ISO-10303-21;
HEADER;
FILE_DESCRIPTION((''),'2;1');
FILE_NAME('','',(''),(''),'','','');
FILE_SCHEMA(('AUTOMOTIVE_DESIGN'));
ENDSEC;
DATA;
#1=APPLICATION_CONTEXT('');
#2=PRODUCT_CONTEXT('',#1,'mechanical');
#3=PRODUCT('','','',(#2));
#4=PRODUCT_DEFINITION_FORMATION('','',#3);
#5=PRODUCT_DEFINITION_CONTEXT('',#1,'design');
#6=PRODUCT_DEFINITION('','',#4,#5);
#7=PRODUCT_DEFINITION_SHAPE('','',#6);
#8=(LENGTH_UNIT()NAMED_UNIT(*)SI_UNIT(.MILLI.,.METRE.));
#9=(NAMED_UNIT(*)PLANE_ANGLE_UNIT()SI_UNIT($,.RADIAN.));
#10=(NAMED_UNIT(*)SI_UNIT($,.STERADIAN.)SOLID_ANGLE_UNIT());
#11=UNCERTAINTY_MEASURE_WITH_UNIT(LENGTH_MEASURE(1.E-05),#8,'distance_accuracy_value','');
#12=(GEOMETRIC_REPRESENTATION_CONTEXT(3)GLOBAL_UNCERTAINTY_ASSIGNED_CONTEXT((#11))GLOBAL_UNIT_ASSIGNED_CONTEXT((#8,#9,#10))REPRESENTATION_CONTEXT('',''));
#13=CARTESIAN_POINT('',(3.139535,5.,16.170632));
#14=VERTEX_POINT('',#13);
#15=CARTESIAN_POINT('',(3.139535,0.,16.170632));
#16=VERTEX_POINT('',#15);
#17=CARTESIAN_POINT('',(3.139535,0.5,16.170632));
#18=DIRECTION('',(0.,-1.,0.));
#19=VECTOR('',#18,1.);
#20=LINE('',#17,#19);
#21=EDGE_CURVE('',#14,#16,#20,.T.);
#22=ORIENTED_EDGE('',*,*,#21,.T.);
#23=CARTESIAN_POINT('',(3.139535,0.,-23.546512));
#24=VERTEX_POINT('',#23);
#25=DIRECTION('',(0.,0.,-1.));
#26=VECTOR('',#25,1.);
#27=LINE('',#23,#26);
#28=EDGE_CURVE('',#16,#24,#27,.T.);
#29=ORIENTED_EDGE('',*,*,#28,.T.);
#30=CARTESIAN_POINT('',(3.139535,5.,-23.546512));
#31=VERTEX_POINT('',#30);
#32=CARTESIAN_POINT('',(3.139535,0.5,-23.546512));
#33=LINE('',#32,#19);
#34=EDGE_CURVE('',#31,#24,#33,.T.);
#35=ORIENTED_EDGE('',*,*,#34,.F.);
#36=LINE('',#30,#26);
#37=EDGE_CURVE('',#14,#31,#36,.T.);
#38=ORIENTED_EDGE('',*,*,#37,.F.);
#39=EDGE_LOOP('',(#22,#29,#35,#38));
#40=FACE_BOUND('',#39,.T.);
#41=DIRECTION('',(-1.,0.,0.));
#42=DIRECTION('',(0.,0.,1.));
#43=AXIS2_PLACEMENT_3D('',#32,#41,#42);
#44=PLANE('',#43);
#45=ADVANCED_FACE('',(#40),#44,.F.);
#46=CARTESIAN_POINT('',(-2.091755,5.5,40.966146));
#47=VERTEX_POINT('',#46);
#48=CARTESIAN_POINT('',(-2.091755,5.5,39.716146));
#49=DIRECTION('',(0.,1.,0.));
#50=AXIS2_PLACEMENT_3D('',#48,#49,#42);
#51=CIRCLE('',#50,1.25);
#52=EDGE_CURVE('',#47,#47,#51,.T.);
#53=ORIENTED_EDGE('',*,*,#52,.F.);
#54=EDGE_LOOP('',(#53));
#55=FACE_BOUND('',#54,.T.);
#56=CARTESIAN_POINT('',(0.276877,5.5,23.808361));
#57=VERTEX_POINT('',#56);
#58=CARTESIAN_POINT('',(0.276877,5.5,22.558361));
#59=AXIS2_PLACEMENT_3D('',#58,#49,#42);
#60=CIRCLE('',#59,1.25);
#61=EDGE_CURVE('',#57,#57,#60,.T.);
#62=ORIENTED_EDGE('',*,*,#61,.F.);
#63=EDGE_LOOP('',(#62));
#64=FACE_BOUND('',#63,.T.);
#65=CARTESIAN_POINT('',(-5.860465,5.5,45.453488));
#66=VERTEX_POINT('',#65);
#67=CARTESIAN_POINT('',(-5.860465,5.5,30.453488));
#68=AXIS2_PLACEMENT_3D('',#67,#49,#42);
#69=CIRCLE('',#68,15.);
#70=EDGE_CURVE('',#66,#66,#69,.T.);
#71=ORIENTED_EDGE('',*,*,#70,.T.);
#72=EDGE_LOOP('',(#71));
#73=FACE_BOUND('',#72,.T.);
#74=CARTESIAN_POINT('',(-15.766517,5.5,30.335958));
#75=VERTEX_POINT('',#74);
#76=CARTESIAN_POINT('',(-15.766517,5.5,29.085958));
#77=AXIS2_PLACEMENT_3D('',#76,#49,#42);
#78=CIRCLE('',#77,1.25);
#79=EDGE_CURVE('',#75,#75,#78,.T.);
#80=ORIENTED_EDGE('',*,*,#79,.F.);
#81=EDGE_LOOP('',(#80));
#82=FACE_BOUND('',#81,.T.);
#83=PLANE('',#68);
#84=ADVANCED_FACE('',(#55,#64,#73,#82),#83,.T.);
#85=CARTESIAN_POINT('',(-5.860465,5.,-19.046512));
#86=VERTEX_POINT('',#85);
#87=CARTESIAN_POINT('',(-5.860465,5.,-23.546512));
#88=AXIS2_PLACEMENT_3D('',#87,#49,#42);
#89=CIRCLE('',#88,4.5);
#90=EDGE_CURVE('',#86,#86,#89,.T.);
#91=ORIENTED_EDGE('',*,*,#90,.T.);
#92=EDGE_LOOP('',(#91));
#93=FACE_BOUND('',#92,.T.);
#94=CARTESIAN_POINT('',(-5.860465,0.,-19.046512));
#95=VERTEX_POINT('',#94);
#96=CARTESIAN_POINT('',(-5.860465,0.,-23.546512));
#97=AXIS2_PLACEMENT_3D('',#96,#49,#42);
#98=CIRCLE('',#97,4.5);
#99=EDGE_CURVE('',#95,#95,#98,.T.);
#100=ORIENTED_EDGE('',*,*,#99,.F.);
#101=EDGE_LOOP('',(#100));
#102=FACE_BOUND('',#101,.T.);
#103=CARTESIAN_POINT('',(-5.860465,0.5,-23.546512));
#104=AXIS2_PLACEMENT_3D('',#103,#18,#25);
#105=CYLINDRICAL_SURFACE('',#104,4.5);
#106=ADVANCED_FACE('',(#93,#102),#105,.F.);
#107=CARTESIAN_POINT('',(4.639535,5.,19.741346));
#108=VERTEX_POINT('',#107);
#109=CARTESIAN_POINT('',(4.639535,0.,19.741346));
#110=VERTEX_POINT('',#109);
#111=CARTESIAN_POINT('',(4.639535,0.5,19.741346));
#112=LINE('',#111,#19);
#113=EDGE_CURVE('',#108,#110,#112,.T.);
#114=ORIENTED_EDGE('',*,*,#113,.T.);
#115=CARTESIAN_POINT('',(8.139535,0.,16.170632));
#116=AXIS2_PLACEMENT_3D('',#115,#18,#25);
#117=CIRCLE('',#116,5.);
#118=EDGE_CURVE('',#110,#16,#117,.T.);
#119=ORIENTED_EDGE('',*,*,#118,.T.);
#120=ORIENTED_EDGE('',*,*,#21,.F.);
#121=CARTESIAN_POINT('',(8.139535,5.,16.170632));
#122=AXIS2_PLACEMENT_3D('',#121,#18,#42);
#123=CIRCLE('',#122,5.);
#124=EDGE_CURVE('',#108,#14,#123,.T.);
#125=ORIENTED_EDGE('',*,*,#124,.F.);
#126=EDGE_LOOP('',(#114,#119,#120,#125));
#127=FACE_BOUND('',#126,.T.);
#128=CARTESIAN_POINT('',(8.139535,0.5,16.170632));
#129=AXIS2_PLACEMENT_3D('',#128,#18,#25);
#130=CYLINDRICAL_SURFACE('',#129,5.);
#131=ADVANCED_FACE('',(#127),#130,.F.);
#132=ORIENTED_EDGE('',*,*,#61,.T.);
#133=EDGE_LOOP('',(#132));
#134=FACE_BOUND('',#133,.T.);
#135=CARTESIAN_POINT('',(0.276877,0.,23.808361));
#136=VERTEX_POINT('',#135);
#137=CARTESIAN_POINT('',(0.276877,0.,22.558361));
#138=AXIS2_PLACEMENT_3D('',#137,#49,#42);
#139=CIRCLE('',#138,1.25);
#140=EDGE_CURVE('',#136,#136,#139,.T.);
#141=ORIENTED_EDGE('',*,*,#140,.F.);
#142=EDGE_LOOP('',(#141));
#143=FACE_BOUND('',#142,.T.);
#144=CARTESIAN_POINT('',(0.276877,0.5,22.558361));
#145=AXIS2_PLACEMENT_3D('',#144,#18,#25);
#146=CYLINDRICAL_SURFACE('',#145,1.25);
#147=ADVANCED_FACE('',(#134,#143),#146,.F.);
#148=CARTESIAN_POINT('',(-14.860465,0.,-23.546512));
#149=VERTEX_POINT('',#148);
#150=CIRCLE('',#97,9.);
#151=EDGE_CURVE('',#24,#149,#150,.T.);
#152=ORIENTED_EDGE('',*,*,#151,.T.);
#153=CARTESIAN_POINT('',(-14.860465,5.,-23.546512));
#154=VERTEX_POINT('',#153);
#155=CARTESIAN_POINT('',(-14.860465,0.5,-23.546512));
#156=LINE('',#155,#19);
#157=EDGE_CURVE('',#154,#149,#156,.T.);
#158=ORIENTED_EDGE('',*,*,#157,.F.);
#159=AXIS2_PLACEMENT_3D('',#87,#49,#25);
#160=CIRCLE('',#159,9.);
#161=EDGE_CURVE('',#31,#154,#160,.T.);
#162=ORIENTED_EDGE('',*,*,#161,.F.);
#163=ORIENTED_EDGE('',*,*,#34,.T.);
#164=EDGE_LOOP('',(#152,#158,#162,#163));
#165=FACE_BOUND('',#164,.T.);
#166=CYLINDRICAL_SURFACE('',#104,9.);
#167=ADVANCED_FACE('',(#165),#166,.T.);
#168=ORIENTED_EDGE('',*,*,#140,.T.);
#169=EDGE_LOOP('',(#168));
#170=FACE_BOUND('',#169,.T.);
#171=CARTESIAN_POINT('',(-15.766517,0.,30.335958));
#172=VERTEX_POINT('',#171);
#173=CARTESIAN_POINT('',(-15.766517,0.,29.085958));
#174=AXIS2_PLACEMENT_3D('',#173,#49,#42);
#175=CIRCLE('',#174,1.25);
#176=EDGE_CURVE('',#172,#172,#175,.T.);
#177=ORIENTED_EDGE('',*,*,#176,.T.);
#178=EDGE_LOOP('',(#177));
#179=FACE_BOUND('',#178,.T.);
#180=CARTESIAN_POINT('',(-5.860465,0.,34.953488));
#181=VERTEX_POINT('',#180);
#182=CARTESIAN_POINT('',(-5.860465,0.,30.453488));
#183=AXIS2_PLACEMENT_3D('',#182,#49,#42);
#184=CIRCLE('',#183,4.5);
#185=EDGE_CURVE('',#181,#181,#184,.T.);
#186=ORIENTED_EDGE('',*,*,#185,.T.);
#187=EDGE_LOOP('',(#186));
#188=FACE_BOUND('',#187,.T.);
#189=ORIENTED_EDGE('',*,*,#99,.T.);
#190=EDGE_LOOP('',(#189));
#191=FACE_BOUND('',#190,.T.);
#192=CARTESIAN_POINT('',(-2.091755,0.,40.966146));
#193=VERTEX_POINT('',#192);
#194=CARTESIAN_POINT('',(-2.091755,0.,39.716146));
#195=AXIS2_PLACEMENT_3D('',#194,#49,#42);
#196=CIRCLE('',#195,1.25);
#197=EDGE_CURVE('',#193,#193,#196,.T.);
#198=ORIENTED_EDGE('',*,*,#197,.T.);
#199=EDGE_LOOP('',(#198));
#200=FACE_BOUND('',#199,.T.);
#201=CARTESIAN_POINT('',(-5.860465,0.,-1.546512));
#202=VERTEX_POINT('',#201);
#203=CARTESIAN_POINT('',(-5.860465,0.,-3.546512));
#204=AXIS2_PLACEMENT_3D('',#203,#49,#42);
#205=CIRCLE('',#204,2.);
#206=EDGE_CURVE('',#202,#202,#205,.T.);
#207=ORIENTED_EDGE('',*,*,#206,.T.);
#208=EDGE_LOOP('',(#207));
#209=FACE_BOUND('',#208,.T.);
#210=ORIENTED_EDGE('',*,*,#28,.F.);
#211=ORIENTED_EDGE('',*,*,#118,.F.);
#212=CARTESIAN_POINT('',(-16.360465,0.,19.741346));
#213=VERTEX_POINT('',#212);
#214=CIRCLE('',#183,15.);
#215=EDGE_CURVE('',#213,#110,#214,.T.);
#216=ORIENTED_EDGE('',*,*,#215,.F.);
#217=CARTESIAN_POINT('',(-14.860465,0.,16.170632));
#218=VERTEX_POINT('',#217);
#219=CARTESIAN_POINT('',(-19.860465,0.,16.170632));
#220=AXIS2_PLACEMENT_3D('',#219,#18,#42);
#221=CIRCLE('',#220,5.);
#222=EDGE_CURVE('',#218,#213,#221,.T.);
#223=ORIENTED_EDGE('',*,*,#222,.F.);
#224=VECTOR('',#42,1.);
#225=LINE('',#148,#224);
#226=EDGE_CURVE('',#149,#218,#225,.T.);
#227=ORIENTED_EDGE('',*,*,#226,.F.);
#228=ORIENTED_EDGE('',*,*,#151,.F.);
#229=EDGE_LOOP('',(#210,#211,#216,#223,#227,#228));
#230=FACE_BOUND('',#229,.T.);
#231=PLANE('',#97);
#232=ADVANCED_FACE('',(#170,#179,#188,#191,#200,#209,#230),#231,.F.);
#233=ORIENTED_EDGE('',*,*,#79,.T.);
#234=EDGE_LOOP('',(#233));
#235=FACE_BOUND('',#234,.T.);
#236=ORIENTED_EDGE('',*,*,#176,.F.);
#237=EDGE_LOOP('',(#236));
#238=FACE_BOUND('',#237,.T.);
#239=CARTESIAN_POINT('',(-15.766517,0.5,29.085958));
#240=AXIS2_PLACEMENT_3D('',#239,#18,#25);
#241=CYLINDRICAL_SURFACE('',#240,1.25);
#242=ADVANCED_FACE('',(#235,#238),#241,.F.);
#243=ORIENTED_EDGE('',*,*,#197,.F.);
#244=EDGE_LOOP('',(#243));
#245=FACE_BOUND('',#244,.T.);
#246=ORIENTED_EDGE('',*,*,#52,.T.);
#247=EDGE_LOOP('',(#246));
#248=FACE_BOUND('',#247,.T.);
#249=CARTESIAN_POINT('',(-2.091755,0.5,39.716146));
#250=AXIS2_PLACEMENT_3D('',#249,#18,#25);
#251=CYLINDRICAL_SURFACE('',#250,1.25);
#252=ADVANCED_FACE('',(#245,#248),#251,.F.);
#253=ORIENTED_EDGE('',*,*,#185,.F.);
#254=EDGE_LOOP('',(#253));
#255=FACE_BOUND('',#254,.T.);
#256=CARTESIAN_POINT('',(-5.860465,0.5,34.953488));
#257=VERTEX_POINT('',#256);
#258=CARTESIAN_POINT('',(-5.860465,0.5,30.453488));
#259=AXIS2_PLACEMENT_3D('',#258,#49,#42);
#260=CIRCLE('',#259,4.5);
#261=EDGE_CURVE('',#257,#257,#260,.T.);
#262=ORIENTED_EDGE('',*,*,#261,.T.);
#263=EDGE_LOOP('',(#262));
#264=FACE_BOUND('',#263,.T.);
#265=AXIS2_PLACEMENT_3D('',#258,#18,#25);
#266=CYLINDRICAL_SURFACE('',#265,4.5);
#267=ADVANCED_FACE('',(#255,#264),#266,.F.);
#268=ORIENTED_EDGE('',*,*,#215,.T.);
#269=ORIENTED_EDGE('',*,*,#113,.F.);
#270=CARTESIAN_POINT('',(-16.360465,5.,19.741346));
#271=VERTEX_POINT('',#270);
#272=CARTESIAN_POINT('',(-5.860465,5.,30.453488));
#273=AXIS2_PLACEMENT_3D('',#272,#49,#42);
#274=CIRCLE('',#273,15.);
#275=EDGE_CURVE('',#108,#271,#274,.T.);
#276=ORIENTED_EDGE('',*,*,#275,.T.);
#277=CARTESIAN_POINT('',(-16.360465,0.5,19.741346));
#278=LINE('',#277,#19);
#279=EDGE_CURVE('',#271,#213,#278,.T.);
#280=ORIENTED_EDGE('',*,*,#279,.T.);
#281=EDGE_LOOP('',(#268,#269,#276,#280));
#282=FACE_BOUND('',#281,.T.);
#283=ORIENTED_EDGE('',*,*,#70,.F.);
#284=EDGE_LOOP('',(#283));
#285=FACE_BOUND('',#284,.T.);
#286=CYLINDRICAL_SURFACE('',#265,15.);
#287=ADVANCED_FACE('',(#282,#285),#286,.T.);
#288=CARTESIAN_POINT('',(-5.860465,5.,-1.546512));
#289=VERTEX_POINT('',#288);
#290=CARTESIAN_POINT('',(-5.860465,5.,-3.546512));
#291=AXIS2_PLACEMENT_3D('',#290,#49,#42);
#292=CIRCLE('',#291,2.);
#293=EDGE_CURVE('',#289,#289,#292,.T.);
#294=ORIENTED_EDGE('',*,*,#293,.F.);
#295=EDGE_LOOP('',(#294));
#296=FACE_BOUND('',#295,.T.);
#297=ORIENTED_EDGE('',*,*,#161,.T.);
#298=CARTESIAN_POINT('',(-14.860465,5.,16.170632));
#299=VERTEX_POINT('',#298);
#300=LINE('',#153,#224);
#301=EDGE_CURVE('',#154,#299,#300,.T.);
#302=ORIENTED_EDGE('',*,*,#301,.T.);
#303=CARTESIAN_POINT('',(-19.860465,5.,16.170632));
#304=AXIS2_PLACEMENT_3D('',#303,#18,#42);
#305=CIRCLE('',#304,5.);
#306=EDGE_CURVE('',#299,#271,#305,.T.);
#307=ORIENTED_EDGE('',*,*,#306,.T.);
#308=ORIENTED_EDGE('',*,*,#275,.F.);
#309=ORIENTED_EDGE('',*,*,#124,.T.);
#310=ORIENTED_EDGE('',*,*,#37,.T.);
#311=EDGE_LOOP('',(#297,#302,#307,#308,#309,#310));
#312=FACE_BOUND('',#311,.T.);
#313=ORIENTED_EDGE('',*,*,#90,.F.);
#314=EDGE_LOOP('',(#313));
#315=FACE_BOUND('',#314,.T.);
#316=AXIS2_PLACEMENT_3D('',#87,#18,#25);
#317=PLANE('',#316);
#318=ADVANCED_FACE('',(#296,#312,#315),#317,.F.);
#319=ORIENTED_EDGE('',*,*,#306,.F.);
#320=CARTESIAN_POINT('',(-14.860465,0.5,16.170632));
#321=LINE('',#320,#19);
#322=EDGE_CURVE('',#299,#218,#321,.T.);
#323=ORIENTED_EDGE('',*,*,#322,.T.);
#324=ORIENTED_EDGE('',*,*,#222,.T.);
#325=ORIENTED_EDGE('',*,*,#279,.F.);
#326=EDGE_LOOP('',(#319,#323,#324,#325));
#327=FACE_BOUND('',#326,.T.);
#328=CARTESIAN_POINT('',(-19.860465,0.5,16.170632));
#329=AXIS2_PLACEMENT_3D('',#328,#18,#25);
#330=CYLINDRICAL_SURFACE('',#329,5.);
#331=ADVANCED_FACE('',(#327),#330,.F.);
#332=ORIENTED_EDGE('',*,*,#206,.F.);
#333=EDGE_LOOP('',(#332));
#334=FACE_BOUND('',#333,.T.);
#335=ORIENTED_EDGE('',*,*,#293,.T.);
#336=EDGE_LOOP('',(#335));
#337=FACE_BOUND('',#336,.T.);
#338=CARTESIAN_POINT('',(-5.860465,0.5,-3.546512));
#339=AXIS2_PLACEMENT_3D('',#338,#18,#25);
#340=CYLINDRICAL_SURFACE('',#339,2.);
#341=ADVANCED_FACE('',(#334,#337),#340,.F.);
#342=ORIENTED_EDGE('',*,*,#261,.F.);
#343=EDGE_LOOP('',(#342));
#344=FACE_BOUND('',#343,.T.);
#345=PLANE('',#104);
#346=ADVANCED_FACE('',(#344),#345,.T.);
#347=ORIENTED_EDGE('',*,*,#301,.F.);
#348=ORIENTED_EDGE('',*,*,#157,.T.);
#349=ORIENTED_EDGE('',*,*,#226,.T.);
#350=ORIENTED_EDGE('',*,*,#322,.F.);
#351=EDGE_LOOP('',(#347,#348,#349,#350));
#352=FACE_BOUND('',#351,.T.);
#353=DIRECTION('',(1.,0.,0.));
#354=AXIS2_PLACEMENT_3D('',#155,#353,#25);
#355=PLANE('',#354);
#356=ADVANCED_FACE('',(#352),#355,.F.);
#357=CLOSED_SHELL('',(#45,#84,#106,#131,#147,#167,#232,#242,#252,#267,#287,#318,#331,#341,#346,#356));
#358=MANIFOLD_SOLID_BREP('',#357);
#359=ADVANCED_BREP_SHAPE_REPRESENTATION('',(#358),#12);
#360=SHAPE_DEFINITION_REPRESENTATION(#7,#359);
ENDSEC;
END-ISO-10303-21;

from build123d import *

# Parameters (mm, degrees)
SKETCH_1_R      = 4.5
SKETCH_1_R_2    = 2
SKETCH_1_R_3    = 1.25
EXTRUDE_2_DEPTH = 0.5
SKETCH_2_R      = 4.5
SKETCH_2_R_2    = 2
SKETCH_2_R_3    = 1.25
EXTRUDE_3_DEPTH = 4.5
SKETCH_3_R      = 15
SKETCH_3_R_2    = 1.25
EXTRUDE_4_DEPTH = 0.5


with BuildPart() as part:
    # 草图1 → 凸台-拉伸2 (new body)
    with BuildSketch(Plane(origin=(0, 0, 0), x_dir=(1, 0, 0), z_dir=(0, 1, 0))):
        with BuildLine():
            Line((-14.860465116, 23.546511628), (-14.860465116, -16.170631515))
            ThreePointArc((-14.860465116, -16.170631515), (-15.250692888, -18.107123188), (-16.360465116, -19.741345729))
            ThreePointArc((-16.360465116, -19.741345729), (-5.860465116, -45.453488372), (4.639534884, -19.741345729))
            ThreePointArc((4.639534884, -19.741345729), (3.529762655, -18.107123188), (3.139534884, -16.170631515))
            Line((3.139534884, -16.170631515), (3.139534884, 3.546511628))
            Line((3.139534884, 3.546511628), (3.139534884, 23.546511628))
            ThreePointArc((3.139534884, 23.546511628), (-5.860465116, 32.546511628), (-14.860465116, 23.546511628))
        make_face()
        with Locations(Location((-5.860465116, 23.546511628, 0), (0, 0, 270))):
            Circle(SKETCH_1_R, mode=Mode.SUBTRACT)
        with Locations(Location((-5.860465116, 3.546511628, 0), (0, 0, 270))):
            Circle(SKETCH_1_R_2, mode=Mode.SUBTRACT)
        with Locations(Location((-5.860465116, -30.453488372, 0), (0, 0, 270))):
            Circle(SKETCH_1_R, mode=Mode.SUBTRACT)
        with Locations(Location((-15.766516879, -29.085958307, 0), (0, 0, 270))):
            Circle(SKETCH_1_R_3, mode=Mode.SUBTRACT)
        with Locations(Location((-2.091755012, -39.716145882, 0), (0, 0, 270))):
            Circle(SKETCH_1_R_3, mode=Mode.SUBTRACT)
        with Locations(Location((0.276876542, -22.558360927, 0), (0, 0, 270))):
            Circle(SKETCH_1_R_3, mode=Mode.SUBTRACT)
    extrude(amount=EXTRUDE_2_DEPTH)

    # 草图2 → 凸台-拉伸3 (add)
    with BuildSketch(Plane(origin=(0, 0.5, 0), x_dir=(1, 0, 0), z_dir=(0, 1, 0))):
        with BuildLine():
            Line((-14.860465116, 23.546511628), (-14.860465116, -16.170631515))
            ThreePointArc((-14.860465116, -16.170631515), (-15.250692888, -18.107123188), (-16.360465116, -19.741345729))
            ThreePointArc((-16.360465116, -19.741345729), (-5.860465116, -45.453488372), (4.639534884, -19.741345729))
            ThreePointArc((4.639534884, -19.741345729), (3.529762655, -18.107123188), (3.139534884, -16.170631515))
            Line((3.139534884, -16.170631515), (3.139534884, 23.546511628))
            ThreePointArc((3.139534884, 23.546511628), (-5.860465116, 32.546511628), (-14.860465116, 23.546511628))
        make_face()
        with Locations(Location((-5.860465116, 23.546511628, 0), (0, 0, 270))):
            Circle(SKETCH_2_R, mode=Mode.SUBTRACT)
        with Locations(Location((-5.860465116, 3.546511628, 0), (0, 0, 270))):
            Circle(SKETCH_2_R_2, mode=Mode.SUBTRACT)
        with Locations(Location((-15.766516879, -29.085958307, 0), (0, 0, 270))):
            Circle(SKETCH_2_R_3, mode=Mode.SUBTRACT)
        with Locations(Location((-2.091755012, -39.716145882, 0), (0, 0, 270))):
            Circle(SKETCH_2_R_3, mode=Mode.SUBTRACT)
        with Locations(Location((0.276876542, -22.558360927, 0), (0, 0, 270))):
            Circle(SKETCH_2_R_3, mode=Mode.SUBTRACT)
    extrude(amount=EXTRUDE_3_DEPTH)

    # 草图3 → 凸台-拉伸4 (add)
    with BuildSketch(Plane(origin=(0, 5, 0), x_dir=(1, 0, 0), z_dir=(0, 1, 0))):
        with Locations(Location((-5.860465116, -30.453488372, 0), (0, 0, 45.572995999))):
            Circle(SKETCH_3_R)
        with Locations(Location((-15.766516879, -29.085958307, 0), (0, 0, 270))):
            Circle(SKETCH_3_R_2, mode=Mode.SUBTRACT)
        with Locations(Location((0.276876542, -22.558360927, 0), (0, 0, 270))):
            Circle(SKETCH_3_R_2, mode=Mode.SUBTRACT)
        with Locations(Location((-2.091755012, -39.716145882, 0), (0, 0, 270))):
            Circle(SKETCH_3_R_2, mode=Mode.SUBTRACT)
    extrude(amount=EXTRUDE_4_DEPTH)


solid = part.part
